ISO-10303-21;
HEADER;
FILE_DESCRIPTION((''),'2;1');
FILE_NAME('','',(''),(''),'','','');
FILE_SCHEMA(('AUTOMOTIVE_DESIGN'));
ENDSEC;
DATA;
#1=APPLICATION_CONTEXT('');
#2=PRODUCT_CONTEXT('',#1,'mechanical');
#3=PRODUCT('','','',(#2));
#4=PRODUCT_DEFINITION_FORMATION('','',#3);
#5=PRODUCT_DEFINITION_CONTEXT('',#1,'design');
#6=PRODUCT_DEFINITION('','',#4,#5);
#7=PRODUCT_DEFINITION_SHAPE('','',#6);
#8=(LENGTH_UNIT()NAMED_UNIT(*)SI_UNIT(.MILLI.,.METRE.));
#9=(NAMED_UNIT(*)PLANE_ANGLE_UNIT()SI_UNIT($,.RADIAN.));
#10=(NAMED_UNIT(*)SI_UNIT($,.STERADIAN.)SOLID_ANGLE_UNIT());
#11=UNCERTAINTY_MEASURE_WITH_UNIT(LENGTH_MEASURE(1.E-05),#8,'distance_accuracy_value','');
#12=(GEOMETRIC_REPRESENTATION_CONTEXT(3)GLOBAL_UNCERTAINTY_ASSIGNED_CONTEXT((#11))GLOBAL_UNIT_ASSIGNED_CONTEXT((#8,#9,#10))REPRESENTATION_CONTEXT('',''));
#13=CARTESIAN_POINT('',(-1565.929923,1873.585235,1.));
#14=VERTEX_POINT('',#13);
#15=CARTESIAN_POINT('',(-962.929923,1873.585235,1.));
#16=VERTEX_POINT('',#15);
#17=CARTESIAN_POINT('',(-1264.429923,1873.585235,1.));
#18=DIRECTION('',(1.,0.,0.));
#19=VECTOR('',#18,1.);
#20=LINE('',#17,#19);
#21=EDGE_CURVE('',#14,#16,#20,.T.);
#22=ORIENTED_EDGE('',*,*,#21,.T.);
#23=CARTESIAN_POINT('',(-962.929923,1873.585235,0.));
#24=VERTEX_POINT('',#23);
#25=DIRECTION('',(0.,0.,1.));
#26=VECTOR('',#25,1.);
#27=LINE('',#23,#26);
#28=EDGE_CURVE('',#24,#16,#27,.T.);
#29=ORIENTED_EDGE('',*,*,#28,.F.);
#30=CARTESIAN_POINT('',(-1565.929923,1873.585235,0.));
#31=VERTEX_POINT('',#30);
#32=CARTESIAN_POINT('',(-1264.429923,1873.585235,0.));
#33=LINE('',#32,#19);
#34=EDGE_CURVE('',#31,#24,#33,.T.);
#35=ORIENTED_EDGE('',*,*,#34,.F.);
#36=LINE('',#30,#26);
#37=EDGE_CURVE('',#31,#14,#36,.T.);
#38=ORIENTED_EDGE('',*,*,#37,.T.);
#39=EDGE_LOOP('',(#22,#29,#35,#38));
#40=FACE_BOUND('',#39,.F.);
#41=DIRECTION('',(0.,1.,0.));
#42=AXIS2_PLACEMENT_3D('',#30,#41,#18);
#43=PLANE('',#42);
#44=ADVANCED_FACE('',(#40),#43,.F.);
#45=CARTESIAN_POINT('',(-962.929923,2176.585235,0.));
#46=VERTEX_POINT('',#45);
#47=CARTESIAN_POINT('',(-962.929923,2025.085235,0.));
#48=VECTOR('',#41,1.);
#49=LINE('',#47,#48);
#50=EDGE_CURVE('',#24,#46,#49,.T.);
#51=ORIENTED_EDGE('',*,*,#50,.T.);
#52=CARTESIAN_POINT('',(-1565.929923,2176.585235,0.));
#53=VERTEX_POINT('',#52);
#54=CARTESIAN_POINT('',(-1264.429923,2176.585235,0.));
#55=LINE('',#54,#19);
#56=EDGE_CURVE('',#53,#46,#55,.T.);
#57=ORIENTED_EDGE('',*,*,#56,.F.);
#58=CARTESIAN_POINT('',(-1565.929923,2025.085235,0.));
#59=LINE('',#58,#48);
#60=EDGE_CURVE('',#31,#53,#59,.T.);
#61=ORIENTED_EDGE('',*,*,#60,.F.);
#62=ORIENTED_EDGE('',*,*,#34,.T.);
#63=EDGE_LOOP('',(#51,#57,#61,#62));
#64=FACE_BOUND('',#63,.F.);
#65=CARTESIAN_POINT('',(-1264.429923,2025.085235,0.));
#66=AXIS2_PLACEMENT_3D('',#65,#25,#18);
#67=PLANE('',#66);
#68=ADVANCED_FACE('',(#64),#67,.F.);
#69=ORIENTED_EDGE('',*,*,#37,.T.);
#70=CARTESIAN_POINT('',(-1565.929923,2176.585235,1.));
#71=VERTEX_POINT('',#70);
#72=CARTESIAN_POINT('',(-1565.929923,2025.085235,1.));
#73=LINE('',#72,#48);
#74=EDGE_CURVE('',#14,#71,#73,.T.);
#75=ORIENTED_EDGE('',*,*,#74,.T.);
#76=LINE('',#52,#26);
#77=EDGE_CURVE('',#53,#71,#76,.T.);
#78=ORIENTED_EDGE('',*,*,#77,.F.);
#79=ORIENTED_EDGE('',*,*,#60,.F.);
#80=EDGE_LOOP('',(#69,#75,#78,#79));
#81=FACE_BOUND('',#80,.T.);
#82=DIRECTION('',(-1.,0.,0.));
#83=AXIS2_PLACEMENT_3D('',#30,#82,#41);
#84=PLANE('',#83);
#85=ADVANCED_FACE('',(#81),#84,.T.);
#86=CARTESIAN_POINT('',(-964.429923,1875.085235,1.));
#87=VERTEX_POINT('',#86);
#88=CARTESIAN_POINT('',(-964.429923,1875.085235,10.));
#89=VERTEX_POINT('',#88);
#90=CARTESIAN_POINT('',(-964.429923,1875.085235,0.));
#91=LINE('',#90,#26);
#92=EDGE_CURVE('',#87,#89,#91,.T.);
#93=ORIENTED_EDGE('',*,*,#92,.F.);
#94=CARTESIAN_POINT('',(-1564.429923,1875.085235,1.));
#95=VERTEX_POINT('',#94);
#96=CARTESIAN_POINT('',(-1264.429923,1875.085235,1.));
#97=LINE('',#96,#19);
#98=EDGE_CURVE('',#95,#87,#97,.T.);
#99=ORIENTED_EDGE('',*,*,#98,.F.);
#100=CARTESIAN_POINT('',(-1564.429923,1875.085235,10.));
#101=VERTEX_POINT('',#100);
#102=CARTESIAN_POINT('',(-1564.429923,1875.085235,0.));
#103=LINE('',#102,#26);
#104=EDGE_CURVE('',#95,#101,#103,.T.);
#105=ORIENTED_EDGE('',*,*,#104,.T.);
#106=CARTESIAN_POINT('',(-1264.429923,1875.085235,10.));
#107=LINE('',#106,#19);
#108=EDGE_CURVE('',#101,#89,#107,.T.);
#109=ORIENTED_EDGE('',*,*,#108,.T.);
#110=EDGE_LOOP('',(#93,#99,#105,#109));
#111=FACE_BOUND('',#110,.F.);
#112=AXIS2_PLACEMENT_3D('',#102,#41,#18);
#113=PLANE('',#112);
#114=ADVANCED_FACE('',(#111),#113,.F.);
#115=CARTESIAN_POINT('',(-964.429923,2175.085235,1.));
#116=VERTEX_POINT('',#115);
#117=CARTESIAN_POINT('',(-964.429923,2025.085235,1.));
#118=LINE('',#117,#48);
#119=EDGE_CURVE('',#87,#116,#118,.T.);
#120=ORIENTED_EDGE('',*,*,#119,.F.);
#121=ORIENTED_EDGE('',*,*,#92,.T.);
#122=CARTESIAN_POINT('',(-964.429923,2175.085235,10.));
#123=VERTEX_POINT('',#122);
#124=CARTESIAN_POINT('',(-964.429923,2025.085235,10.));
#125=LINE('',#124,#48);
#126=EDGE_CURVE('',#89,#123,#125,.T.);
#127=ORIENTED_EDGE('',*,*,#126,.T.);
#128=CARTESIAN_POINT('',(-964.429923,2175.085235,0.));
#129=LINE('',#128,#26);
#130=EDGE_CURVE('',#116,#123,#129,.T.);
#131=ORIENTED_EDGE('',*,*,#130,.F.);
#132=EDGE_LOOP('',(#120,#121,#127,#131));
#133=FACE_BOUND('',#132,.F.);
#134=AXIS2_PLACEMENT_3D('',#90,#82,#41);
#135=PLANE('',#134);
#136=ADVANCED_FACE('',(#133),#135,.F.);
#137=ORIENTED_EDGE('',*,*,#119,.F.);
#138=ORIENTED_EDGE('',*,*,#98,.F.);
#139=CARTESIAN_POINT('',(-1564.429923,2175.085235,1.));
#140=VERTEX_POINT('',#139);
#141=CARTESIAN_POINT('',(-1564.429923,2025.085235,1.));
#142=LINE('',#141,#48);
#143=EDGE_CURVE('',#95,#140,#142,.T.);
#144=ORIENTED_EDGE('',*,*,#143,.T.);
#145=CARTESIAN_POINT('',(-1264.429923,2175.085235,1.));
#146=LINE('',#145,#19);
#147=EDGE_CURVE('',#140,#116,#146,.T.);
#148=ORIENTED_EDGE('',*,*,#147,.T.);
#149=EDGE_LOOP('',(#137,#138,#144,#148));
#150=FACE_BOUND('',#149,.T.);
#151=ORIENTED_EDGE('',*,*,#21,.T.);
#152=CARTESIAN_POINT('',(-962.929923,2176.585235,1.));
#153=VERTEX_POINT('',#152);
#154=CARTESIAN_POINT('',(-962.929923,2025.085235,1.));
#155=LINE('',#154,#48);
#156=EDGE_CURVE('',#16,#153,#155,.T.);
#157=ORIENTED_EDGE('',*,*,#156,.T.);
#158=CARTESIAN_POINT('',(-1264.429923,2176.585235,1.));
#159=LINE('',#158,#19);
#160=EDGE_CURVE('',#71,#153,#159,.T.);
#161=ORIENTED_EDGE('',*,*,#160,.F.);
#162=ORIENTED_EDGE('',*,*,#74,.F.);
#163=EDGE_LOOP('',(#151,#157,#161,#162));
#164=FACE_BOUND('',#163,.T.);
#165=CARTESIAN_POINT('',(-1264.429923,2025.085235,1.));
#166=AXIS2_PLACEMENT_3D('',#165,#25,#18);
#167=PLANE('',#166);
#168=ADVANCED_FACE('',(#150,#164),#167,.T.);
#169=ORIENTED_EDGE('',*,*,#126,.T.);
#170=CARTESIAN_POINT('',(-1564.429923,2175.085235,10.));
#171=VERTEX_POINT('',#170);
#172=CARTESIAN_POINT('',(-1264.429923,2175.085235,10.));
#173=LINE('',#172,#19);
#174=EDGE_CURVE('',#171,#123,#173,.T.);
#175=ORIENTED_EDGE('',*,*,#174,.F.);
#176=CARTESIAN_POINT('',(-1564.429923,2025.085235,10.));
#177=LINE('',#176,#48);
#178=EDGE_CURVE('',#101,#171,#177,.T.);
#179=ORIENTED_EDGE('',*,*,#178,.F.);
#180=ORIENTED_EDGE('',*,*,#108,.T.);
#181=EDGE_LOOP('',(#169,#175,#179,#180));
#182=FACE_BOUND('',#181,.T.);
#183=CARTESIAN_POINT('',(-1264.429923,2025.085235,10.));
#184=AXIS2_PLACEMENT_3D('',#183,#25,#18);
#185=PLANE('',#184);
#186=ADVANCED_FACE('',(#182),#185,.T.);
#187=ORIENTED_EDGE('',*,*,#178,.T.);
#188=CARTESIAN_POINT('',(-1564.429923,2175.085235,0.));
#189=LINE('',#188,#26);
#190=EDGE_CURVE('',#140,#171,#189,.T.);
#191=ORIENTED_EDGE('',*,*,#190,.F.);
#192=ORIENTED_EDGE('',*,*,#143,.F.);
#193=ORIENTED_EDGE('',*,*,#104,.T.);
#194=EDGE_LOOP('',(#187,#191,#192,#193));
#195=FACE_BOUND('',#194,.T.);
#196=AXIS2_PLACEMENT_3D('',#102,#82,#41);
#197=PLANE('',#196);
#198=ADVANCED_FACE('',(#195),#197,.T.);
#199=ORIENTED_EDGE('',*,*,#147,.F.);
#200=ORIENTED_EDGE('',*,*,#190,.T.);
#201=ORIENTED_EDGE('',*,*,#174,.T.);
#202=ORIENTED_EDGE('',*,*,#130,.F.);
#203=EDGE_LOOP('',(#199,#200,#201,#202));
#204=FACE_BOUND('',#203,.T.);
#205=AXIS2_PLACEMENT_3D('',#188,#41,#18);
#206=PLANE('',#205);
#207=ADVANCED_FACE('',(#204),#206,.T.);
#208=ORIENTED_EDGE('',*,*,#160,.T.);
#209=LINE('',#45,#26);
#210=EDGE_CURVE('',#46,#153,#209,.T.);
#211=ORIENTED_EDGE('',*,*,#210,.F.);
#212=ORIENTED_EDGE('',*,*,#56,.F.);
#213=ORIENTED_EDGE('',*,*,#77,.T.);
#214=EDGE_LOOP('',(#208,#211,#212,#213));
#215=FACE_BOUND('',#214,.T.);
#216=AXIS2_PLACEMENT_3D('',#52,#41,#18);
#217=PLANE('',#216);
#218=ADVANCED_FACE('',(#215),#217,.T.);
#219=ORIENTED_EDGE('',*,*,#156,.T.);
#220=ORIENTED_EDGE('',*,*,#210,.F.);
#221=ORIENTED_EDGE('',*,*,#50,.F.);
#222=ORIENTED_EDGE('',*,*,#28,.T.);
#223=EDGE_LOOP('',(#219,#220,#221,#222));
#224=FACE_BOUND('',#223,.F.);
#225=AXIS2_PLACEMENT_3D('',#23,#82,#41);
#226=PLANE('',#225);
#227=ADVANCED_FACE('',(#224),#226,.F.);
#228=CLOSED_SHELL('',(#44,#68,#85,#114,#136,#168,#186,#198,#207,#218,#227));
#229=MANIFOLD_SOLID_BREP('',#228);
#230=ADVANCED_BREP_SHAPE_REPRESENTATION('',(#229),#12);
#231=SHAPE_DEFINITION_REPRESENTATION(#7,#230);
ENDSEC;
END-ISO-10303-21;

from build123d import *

# Parameters (mm, degrees)
F0_W     = 600
F0_H     = 300
F1_DEPTH = 10
F0_W_2   = 603
F0_H_2   = 303
F2_DEPTH = 1


with BuildPart() as f1:
    # F0 (on Top) → F1 (new body)
    with BuildSketch(Plane.XY):
        with Locations((-1264.429923, 2025.085235)):
            Rectangle(F0_W, F0_H)
    extrude(amount=F1_DEPTH)

    # F0 (on Top) → F2 (join)
    with BuildSketch(Plane.XY):
        with Locations((-1264.429923, 2025.085235)):
            Rectangle(F0_W_2, F0_H_2)
        with Locations((-1264.429923, 2025.085235)):
            Rectangle(F0_W, F0_H, mode=Mode.SUBTRACT)
    extrude(amount=F2_DEPTH)


solid = f1.part
